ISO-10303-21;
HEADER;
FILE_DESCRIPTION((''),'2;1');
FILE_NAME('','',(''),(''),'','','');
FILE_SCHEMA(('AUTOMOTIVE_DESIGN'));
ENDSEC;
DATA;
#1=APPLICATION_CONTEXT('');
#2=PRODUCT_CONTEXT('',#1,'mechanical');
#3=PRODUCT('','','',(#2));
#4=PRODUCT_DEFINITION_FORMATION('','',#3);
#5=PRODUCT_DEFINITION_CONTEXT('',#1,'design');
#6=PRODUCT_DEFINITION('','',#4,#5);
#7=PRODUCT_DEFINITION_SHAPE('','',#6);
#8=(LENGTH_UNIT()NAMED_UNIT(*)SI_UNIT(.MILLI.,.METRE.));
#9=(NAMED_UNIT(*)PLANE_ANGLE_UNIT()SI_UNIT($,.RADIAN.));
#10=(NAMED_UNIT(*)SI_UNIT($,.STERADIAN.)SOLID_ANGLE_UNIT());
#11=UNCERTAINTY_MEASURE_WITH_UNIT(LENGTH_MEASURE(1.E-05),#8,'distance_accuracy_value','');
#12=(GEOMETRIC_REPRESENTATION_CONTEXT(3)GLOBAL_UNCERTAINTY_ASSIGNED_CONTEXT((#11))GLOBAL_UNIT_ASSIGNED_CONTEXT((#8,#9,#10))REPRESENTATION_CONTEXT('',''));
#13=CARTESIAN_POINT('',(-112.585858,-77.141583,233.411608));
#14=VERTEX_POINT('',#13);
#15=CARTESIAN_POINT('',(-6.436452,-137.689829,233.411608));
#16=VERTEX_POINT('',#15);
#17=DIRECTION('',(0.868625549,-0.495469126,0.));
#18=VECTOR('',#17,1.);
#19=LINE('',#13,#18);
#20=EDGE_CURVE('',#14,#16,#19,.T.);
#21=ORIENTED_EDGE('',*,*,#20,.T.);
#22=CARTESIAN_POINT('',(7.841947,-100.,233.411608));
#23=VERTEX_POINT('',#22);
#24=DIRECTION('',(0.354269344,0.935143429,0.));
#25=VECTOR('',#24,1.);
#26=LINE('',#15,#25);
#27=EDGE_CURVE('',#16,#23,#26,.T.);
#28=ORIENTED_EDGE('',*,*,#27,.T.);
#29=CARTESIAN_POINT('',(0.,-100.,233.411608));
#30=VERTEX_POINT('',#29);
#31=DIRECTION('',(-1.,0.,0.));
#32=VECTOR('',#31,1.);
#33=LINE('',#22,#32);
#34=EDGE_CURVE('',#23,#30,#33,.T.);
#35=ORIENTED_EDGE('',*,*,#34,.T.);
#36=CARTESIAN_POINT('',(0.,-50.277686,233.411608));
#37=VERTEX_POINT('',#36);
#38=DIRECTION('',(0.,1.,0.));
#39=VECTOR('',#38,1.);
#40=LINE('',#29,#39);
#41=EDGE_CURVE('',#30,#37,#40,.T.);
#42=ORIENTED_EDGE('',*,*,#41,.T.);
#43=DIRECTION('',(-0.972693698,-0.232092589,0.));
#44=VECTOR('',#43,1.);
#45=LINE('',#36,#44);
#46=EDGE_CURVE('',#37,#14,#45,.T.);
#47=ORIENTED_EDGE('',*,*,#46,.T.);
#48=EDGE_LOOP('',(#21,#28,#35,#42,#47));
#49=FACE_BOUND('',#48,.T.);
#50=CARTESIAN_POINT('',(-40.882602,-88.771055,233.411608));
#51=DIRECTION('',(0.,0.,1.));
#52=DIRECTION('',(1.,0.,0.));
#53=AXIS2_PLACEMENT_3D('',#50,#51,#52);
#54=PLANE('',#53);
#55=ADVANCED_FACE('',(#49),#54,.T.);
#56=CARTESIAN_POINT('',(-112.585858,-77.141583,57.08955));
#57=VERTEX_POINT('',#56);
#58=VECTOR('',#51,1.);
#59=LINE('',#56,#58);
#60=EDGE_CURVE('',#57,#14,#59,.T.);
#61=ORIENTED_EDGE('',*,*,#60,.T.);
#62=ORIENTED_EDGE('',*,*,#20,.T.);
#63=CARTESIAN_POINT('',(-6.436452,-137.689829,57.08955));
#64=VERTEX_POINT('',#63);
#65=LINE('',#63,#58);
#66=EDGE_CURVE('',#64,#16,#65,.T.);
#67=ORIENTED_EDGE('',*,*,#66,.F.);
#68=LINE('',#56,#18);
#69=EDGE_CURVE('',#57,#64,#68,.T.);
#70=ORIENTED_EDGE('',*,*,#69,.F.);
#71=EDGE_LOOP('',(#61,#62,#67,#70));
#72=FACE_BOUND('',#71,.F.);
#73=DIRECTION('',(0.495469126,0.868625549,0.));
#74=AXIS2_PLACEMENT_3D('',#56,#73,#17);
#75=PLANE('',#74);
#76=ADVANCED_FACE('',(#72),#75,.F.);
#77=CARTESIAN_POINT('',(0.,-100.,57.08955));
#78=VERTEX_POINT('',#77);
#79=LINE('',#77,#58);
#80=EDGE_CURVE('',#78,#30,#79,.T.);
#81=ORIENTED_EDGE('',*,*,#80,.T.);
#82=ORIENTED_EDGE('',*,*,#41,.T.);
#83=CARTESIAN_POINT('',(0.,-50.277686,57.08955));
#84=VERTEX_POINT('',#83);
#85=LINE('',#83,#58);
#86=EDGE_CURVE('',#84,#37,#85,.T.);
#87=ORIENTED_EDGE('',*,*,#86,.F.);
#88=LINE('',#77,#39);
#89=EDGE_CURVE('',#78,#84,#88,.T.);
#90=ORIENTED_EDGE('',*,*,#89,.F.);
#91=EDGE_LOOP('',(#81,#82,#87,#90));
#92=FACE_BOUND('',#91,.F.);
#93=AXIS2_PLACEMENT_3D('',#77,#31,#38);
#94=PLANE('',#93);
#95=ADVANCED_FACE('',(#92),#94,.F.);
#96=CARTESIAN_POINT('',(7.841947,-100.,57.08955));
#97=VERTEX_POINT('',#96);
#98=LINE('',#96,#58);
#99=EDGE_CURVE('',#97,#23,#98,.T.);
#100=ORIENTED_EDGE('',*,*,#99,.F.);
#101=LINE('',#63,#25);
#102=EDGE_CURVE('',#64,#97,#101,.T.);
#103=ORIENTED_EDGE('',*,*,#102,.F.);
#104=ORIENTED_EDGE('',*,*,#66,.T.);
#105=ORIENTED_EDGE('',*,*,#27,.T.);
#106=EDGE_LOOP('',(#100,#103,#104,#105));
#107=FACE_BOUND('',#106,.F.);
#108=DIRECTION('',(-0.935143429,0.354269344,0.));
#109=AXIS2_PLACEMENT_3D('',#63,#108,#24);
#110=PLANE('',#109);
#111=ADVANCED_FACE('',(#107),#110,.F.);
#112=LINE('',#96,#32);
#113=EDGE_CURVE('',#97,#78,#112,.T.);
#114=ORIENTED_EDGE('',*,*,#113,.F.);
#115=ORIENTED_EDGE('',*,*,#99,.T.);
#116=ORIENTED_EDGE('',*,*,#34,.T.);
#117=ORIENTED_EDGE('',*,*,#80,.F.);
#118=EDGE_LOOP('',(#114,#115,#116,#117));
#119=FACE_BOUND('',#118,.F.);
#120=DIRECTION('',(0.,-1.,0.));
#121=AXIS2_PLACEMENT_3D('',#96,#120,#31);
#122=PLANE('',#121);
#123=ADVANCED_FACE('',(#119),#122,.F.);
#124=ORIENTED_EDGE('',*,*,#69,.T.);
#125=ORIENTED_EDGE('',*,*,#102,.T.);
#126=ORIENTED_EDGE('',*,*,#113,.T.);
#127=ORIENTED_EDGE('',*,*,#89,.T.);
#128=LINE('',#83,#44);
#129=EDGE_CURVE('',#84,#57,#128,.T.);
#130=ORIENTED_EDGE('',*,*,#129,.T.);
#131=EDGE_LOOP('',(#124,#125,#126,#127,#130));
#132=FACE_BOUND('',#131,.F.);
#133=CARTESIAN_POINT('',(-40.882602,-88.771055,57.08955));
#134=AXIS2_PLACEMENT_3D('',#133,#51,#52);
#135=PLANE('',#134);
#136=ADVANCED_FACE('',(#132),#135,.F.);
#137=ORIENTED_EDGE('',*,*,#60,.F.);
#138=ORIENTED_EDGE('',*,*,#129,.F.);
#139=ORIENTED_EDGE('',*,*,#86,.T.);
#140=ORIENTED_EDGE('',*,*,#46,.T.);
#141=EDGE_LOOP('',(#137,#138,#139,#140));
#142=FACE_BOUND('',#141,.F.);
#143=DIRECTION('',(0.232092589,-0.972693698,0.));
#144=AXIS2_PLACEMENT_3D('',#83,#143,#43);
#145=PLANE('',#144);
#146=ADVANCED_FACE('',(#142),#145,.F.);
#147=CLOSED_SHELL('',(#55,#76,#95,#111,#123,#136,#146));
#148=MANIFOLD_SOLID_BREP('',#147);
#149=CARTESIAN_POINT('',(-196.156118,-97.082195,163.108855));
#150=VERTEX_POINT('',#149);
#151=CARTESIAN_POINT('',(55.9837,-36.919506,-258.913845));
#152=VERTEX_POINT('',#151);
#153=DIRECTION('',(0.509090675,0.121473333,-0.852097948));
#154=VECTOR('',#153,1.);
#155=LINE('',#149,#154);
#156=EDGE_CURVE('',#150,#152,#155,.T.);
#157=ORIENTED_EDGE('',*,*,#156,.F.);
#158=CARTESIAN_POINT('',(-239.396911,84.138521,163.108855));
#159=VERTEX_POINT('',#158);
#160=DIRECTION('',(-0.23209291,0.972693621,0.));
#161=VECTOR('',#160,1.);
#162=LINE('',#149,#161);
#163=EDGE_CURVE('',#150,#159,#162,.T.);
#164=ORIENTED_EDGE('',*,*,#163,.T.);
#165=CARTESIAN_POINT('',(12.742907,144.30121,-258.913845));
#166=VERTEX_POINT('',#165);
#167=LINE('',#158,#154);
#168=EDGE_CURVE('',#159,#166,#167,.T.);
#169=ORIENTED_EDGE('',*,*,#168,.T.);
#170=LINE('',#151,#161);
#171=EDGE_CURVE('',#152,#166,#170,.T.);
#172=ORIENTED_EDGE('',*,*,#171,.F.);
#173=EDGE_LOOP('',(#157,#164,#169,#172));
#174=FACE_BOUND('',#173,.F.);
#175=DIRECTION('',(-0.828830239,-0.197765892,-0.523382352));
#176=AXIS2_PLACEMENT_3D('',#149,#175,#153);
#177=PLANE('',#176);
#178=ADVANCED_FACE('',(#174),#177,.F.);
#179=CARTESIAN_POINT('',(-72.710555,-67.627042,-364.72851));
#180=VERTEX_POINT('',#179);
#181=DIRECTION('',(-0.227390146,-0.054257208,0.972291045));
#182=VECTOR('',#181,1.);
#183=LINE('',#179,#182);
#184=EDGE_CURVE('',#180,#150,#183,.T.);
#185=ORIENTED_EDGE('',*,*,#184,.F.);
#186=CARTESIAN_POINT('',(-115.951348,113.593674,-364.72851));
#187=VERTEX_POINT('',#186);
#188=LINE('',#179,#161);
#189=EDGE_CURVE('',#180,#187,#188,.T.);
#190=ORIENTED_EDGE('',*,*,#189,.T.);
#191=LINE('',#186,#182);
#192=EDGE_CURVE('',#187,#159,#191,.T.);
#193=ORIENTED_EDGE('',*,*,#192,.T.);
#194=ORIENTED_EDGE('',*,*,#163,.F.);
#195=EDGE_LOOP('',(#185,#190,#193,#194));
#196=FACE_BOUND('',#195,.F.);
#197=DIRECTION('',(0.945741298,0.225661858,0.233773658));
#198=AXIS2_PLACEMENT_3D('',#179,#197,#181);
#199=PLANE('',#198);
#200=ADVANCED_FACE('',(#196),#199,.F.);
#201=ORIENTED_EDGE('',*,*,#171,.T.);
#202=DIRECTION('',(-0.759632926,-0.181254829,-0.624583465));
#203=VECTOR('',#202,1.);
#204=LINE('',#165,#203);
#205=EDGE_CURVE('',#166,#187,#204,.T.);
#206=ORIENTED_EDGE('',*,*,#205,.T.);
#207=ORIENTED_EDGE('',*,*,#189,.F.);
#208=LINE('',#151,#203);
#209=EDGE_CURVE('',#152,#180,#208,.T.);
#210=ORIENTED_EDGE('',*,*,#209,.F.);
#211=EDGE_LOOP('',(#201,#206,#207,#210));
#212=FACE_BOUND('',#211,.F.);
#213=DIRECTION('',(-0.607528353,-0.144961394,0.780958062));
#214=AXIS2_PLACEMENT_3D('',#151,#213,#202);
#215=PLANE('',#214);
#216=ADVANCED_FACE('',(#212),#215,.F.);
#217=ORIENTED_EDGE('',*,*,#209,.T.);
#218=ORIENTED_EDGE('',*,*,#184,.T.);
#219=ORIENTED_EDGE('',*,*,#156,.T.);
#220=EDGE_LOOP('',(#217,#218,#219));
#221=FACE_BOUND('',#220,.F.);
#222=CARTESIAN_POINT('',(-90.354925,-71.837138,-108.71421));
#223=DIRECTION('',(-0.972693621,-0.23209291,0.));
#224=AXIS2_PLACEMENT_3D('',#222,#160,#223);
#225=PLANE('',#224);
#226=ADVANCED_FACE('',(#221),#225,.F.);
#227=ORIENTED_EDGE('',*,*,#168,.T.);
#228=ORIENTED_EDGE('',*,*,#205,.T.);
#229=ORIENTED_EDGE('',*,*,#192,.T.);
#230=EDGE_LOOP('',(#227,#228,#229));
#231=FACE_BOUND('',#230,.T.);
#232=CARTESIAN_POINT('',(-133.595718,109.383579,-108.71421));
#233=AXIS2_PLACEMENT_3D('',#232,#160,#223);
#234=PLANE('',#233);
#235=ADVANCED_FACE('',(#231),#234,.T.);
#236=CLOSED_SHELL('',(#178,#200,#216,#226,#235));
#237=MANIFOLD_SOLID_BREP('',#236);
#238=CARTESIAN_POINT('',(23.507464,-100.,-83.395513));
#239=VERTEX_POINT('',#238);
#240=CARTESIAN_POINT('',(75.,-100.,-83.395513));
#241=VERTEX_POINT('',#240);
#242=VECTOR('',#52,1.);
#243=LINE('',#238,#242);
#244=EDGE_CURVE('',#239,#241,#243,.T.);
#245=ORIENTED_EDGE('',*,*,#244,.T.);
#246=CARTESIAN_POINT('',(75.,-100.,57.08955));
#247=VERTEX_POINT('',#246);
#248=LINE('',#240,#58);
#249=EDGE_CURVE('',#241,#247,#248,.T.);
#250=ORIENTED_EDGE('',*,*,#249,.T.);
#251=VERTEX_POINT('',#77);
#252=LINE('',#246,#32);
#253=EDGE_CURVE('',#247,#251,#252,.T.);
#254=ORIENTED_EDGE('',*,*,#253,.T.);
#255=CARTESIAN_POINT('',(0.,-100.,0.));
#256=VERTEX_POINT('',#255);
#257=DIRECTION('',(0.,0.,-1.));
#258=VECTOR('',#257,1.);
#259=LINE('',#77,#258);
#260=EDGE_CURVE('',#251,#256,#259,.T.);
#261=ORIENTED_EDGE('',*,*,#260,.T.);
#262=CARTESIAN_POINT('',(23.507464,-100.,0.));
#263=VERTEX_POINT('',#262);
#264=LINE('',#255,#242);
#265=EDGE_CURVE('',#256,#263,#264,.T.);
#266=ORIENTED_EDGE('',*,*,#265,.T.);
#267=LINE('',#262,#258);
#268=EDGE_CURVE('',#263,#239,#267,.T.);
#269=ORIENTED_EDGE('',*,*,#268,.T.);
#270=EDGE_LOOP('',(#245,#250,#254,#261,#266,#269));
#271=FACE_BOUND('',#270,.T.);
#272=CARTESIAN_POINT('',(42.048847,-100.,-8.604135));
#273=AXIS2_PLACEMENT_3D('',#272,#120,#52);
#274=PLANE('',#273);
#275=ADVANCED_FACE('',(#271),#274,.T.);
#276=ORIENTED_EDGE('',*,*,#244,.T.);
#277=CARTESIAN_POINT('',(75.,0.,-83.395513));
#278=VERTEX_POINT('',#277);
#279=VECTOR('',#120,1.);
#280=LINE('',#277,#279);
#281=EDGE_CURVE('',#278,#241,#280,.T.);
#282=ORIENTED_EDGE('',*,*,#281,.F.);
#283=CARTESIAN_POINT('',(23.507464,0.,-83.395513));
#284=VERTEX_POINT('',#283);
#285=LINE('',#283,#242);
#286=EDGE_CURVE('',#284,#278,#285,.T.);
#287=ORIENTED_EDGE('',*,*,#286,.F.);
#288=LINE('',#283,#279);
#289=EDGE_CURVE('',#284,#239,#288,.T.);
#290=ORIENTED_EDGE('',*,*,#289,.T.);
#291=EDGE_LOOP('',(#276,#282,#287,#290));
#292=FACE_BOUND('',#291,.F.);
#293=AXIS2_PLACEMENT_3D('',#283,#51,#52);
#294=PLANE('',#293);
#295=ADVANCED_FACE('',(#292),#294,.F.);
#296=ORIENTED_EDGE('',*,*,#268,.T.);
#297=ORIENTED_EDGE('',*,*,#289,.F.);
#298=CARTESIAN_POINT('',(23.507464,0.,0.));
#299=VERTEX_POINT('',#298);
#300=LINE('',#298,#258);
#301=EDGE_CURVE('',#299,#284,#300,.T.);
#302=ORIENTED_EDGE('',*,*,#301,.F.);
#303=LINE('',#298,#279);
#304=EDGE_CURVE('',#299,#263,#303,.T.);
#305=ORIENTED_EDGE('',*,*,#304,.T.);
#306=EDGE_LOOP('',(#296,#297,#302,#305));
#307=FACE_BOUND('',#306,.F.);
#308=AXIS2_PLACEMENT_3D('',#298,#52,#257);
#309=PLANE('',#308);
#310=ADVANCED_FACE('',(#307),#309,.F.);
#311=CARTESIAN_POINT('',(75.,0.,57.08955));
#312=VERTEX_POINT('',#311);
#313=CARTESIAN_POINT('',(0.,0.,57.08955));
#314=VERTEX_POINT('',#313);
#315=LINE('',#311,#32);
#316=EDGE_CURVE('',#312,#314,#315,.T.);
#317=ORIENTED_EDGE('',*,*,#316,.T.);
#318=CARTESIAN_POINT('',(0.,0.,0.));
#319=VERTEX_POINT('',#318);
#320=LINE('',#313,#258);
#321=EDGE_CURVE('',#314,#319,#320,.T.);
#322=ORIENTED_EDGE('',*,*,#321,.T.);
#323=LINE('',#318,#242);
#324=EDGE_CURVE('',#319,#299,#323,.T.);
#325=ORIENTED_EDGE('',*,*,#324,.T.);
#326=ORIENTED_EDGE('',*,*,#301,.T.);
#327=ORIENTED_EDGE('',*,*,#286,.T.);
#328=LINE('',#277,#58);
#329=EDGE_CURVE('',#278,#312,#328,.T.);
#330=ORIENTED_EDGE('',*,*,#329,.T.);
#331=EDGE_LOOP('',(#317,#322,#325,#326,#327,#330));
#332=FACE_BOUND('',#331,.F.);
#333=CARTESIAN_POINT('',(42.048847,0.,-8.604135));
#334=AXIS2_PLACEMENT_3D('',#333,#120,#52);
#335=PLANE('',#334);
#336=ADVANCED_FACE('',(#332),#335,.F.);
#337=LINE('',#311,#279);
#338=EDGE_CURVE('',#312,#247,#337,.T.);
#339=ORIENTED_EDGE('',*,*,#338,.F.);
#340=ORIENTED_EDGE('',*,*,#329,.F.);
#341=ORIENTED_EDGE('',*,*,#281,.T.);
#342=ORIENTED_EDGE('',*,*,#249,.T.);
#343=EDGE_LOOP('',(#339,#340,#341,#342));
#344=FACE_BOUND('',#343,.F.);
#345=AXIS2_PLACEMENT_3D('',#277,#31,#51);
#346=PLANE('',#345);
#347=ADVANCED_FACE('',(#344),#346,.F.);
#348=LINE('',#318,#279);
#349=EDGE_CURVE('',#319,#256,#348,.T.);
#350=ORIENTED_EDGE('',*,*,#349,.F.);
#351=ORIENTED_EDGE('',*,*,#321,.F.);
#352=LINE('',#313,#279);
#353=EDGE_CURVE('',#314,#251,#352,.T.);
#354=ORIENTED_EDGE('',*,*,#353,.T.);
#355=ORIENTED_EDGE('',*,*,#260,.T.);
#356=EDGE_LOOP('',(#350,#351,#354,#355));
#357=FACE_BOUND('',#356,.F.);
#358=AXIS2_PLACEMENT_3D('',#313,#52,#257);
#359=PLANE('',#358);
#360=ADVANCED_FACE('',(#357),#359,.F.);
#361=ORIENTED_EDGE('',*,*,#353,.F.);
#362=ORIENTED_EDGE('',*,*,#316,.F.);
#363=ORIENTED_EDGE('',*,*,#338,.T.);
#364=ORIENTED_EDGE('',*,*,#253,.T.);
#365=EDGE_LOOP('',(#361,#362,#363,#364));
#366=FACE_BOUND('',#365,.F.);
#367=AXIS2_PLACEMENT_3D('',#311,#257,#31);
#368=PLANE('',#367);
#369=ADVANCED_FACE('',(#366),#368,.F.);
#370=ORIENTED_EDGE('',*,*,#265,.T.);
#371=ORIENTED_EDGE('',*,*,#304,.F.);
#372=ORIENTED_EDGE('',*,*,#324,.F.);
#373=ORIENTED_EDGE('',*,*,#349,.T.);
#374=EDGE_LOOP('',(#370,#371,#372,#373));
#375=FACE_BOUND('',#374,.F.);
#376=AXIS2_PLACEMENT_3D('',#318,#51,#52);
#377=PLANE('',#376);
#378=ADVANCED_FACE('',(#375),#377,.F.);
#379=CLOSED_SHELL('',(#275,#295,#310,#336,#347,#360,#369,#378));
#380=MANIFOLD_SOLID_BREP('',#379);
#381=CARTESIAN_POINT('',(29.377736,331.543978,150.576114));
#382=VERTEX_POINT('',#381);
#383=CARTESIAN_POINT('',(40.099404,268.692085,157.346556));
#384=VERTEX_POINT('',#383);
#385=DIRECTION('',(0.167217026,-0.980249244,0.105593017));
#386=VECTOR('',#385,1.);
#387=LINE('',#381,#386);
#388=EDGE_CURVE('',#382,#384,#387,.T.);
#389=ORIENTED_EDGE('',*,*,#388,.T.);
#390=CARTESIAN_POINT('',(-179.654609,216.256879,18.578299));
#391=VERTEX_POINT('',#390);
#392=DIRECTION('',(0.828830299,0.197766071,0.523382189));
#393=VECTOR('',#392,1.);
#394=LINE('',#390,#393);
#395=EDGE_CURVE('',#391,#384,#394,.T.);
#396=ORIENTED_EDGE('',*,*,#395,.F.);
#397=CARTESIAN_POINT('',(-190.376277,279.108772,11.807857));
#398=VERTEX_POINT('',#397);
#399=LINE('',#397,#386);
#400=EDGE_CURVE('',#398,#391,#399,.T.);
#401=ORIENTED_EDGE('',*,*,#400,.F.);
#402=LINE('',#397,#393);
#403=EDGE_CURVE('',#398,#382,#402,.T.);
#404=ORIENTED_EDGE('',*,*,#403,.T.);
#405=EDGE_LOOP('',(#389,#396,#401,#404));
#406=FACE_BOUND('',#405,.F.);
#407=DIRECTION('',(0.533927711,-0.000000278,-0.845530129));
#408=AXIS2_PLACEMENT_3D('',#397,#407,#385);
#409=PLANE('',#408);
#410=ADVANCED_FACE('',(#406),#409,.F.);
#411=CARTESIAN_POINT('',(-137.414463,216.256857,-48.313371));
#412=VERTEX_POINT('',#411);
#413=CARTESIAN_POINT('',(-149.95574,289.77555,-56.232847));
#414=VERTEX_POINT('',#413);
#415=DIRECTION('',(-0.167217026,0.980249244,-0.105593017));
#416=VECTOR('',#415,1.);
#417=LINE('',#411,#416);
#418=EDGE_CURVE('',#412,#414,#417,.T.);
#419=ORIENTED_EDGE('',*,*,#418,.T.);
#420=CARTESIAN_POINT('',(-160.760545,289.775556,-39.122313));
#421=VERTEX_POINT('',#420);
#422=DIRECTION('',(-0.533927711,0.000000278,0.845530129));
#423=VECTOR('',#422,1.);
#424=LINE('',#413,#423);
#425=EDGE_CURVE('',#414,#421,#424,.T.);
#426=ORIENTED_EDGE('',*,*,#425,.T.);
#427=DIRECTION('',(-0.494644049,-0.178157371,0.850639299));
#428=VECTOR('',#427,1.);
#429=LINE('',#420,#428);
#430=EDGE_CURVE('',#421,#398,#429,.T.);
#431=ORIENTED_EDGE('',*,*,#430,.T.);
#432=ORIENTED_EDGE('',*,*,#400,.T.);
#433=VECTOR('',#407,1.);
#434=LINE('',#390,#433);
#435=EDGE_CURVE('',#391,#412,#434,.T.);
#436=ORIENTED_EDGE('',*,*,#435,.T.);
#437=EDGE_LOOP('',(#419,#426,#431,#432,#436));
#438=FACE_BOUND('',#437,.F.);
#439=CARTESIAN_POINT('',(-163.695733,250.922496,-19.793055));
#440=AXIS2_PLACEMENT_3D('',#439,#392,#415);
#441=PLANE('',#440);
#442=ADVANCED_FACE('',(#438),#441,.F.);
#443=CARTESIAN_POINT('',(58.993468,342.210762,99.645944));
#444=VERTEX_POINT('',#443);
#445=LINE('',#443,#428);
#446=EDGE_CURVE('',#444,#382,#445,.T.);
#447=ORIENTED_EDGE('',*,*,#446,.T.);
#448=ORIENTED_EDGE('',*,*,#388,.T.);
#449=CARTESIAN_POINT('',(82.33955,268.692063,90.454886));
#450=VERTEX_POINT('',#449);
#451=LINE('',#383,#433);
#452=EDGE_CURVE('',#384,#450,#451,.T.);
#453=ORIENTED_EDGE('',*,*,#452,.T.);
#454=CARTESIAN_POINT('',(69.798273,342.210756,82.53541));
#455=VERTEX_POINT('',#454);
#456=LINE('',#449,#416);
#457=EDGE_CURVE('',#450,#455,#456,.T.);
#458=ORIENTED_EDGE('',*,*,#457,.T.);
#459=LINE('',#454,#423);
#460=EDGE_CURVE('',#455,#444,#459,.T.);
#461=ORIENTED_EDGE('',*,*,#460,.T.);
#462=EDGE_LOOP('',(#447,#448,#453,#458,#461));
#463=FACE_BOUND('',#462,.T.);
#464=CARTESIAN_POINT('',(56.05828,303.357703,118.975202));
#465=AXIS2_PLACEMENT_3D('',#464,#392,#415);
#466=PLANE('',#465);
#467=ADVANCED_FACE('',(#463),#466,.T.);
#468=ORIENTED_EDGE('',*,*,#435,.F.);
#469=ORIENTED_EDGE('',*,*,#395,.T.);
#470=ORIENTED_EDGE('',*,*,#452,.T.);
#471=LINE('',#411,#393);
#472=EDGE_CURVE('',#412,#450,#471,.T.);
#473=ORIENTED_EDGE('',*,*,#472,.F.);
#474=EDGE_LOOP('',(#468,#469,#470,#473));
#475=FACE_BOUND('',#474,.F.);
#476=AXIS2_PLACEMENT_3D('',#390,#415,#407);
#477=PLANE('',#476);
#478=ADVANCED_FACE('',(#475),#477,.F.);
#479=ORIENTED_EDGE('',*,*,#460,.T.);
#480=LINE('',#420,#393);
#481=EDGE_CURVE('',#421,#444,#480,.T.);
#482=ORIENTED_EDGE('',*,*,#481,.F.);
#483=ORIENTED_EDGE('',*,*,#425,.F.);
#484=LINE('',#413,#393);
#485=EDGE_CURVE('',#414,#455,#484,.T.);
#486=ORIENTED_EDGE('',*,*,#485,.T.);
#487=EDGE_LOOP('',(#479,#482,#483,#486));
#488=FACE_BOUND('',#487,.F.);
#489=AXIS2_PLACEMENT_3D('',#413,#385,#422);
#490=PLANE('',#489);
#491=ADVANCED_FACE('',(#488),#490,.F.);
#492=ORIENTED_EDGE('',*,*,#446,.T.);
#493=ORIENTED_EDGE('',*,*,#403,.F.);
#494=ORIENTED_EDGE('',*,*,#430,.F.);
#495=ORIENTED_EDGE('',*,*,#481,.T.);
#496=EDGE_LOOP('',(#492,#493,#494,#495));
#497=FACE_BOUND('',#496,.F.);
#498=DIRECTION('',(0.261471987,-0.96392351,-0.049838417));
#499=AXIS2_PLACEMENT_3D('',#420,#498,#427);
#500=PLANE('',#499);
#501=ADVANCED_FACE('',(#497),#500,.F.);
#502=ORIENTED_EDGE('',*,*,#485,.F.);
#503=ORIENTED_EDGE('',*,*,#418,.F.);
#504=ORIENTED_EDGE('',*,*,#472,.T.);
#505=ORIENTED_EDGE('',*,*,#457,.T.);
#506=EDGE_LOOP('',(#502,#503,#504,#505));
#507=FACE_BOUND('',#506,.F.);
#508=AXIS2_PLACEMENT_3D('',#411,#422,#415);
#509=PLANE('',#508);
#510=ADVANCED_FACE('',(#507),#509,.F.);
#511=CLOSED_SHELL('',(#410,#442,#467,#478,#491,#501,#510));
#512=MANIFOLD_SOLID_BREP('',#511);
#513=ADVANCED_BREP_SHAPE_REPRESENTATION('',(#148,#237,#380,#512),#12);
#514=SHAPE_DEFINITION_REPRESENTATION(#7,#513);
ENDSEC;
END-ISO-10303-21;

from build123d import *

# Parameters (mm, degrees)
F1_DEPTH = 100
F3_DEPTH = 176.322058
F5_DEPTH = 186.308116
F7_DEPTH = 265.137523


with BuildPart() as f1:
    # F0 (on Front) → F1 (new body)
    with BuildSketch(Plane.XZ):
        Polygon((75, 57.08955), (0, 57.08955), (0, 0), (23.507464, 0), (23.507464, -83.395513), (75, -83.395513), align=None)
    extrude(amount=F1_DEPTH)


with BuildPart() as f3:
    # F2 (on face) → F3 (new body)
    with BuildSketch(Plane.XY.offset(57.08955)):
        Polygon((-112.585858, -77.141583), (-6.436452, -137.689829), (7.841947, -100), (0, -100), (0, -50.277686), align=None)
    extrude(amount=F3_DEPTH)


with BuildPart() as f5:
    # F4 (on face) → F5 (new body)
    with BuildSketch(Plane(origin=(11.350439, -47.569379, 0), x_dir=(-0.972694, -0.232093, 0), z_dir=(-0.232093, 0.972694, 0))):
        Polygon((86.420834, -364.72851), (213.331878, 163.108855), (-45.886248, -258.913845), align=None)
    extrude(amount=F5_DEPTH)


with BuildPart() as f7:
    # F6 (on face) → F7 (new body)
    with BuildSketch(Plane(origin=(-79.908656, -19.066853, -50.460004), x_dir=(-0.167217, 0.980249, -0.105593), z_dir=(0.82883, 0.197766, 0.523382))):
        Polygon((304.183447, 111.631159), (240.065169, 111.631159), (240.065169, 32.519052), (315.065169, 32.519052), (315.065169, 52.755509), align=None)
    extrude(amount=F7_DEPTH)


solid = Compound([f1.part, f3.part, f5.part, f7.part])
